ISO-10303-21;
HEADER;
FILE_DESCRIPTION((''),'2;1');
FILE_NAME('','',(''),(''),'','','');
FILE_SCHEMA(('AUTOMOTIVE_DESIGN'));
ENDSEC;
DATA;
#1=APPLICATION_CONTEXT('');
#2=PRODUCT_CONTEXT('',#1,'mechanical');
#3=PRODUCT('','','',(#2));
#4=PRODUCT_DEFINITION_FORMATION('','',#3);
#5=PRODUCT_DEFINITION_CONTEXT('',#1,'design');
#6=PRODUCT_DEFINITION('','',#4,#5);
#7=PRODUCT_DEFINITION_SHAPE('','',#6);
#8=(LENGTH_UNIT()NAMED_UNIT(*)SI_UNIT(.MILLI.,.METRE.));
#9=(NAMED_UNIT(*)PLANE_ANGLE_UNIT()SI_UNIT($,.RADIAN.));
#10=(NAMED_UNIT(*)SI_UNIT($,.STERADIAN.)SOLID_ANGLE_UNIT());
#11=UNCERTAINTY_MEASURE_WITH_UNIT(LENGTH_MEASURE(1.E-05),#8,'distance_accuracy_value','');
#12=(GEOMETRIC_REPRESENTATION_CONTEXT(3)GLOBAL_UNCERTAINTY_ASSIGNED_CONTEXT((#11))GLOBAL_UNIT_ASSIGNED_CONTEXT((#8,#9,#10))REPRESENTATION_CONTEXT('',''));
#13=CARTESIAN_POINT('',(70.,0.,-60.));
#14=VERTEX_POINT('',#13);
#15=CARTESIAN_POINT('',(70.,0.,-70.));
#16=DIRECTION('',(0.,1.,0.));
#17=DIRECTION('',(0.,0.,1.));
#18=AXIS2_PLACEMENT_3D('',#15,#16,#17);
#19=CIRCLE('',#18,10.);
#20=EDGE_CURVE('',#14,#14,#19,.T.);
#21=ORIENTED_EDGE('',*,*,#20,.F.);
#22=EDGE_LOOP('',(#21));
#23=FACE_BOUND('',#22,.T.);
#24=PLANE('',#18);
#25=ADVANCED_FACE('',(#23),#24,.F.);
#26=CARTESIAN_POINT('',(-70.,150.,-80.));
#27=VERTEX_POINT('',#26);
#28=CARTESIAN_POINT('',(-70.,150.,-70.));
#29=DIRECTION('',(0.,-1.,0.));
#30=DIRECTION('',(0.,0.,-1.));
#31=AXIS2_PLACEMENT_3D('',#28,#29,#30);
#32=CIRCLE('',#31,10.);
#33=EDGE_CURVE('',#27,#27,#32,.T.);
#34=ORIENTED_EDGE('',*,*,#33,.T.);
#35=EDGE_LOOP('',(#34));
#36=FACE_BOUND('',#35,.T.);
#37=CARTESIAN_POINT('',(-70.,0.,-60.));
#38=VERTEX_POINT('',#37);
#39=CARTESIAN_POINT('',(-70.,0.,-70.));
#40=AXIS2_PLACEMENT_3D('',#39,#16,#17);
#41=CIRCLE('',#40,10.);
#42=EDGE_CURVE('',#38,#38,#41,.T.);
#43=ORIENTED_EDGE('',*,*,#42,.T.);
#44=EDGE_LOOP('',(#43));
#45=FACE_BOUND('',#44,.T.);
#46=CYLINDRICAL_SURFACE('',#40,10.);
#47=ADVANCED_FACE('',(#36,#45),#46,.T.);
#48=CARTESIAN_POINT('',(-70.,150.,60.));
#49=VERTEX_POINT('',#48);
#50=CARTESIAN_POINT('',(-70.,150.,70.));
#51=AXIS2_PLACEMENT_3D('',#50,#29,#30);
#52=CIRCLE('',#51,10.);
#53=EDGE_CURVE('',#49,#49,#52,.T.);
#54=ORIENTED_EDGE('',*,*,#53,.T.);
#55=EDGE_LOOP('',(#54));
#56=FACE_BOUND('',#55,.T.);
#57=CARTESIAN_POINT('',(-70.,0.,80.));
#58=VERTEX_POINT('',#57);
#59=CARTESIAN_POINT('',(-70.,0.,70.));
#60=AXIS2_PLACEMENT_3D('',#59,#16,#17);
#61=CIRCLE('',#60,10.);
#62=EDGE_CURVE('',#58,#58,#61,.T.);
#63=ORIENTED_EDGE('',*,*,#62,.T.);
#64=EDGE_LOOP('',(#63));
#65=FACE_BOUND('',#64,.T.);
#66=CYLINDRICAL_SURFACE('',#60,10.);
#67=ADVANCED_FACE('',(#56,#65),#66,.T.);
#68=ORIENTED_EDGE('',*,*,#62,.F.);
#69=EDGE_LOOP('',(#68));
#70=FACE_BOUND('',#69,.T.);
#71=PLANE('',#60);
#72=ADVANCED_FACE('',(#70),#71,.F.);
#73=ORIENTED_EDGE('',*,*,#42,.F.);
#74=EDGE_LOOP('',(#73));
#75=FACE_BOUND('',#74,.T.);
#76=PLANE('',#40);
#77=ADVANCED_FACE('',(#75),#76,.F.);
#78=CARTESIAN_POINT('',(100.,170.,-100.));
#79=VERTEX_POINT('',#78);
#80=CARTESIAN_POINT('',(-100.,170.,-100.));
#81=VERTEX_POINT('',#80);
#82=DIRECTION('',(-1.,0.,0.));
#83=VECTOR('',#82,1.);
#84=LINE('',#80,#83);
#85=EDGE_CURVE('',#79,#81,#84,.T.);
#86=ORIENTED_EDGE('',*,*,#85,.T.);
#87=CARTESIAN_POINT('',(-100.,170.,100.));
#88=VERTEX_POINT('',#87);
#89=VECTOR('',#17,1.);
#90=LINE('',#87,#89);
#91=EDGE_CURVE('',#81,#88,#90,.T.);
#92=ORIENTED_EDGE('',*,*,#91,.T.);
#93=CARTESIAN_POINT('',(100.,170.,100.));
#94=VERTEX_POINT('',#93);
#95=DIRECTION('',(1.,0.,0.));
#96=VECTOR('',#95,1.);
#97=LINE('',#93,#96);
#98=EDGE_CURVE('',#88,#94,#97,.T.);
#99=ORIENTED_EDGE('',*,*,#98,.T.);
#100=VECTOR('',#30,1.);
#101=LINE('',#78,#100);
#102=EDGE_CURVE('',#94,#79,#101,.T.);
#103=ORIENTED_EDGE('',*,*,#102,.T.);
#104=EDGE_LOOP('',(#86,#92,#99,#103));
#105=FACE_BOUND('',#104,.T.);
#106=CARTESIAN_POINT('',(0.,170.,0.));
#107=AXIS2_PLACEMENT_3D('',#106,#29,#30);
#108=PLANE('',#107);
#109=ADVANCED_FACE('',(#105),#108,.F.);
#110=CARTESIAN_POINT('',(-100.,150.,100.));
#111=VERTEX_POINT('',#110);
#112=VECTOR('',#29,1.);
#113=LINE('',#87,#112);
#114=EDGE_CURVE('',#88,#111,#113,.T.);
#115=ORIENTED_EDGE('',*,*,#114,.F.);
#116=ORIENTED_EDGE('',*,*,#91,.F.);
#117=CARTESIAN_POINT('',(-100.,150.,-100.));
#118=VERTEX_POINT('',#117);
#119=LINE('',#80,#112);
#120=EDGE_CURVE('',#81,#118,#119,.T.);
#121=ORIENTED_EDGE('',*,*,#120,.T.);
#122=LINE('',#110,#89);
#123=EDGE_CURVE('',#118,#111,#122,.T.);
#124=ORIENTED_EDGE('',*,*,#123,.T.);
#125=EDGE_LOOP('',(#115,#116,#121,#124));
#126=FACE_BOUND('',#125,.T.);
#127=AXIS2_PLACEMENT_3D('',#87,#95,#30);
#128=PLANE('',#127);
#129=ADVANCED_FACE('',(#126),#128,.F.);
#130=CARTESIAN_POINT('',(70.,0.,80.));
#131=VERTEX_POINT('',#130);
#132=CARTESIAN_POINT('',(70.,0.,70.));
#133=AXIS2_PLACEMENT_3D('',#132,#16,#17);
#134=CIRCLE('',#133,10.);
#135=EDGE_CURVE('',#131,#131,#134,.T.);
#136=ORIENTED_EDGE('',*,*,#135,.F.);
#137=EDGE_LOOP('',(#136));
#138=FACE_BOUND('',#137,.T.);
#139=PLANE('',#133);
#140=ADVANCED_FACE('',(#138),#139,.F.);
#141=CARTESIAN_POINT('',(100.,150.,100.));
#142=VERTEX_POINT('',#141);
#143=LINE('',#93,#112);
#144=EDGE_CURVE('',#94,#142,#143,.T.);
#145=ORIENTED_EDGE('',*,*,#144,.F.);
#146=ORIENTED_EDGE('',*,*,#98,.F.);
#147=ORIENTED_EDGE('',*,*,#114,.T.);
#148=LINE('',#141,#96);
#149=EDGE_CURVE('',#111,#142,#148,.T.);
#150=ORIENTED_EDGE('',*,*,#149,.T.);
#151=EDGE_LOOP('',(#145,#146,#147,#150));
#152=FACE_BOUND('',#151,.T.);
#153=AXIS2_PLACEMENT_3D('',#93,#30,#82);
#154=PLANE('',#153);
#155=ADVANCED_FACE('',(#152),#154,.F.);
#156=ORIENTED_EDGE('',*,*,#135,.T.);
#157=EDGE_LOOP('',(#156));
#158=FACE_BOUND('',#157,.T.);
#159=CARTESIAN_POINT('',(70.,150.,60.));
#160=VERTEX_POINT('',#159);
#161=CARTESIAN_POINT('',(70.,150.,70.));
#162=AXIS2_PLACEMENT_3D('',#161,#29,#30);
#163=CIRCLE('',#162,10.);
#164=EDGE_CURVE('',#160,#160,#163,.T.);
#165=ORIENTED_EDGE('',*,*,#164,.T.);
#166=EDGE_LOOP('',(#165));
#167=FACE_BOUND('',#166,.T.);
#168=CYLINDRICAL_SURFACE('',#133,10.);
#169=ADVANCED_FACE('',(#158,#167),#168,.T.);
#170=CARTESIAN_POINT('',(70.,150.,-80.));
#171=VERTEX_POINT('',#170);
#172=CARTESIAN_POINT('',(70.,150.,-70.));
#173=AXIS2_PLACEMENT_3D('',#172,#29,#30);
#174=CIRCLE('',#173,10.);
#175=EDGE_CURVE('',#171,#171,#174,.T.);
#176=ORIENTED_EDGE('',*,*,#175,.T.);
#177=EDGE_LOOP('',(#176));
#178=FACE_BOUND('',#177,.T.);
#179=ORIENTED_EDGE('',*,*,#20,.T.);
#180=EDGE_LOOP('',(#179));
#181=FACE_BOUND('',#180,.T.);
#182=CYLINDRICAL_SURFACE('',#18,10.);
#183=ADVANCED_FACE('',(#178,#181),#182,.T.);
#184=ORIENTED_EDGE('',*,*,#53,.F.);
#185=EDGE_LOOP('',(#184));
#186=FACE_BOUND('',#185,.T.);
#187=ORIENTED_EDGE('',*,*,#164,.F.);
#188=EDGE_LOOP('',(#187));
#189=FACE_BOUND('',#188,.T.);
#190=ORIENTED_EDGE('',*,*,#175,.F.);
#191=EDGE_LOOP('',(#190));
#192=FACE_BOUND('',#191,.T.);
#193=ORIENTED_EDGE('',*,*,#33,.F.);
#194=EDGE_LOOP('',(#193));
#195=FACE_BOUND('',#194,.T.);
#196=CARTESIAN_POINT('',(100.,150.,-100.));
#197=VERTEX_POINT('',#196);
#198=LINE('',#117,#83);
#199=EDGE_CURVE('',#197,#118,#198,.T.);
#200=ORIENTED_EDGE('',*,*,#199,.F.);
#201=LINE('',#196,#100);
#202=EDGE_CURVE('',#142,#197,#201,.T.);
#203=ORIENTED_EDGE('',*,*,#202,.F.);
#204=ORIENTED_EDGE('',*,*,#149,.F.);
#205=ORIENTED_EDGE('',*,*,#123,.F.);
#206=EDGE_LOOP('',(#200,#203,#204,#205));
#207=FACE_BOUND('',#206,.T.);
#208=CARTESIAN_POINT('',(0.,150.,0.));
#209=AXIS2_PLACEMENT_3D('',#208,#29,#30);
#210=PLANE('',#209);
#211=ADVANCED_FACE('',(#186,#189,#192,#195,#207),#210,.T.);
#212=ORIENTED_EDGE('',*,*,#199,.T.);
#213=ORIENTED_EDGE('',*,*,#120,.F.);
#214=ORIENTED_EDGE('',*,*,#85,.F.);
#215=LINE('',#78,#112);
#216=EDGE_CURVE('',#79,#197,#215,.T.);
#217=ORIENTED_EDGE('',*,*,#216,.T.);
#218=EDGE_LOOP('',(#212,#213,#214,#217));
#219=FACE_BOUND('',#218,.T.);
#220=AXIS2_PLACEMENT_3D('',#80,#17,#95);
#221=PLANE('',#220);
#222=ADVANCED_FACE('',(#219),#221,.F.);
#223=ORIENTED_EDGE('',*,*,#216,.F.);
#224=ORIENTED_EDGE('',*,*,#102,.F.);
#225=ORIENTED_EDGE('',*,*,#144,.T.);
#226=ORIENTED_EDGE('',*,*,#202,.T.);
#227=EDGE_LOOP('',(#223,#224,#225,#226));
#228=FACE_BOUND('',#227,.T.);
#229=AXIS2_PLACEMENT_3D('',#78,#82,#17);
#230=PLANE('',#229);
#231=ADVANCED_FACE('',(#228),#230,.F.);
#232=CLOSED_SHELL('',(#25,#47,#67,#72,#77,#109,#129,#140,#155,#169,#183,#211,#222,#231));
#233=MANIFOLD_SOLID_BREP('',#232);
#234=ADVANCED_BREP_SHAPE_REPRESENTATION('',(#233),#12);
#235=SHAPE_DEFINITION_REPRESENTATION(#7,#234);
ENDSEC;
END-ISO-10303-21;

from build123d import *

# Parameters (mm, degrees)
SKETCH_1_W      = 200
SKETCH_1_H      = 200
EXTRUDE_1_DEPTH = 20
SKETCH_2_R      = 10
EXTRUDE_2_DEPTH = 152


with BuildPart() as part:
    # 草图1 → 凸台-拉伸1 (new body)
    with BuildSketch(Plane(origin=(0, 150, 0), x_dir=(1, 0, 0), z_dir=(0, 1, 0))):
        Rectangle(SKETCH_1_W, SKETCH_1_H)
    extrude(amount=EXTRUDE_1_DEPTH)

    # 草图2 → 凸台-拉伸2 (add)
    with BuildSketch(Plane(origin=(0, 152, 0), x_dir=(1, 0, 0), z_dir=(0, 1, 0))):
        with Locations(Location((-70, 70, 0), (0, 0, 270))):
            Circle(SKETCH_2_R)
        with Locations(Location((70, 70, 0), (0, 0, 270))):
            Circle(SKETCH_2_R)
        with Locations(Location((-70, -70, 0), (0, 0, 270))):
            Circle(SKETCH_2_R)
        with Locations(Location((70, -70, 0), (0, 0, 270))):
            Circle(SKETCH_2_R)
    extrude(amount=-EXTRUDE_2_DEPTH)


solid = part.part
